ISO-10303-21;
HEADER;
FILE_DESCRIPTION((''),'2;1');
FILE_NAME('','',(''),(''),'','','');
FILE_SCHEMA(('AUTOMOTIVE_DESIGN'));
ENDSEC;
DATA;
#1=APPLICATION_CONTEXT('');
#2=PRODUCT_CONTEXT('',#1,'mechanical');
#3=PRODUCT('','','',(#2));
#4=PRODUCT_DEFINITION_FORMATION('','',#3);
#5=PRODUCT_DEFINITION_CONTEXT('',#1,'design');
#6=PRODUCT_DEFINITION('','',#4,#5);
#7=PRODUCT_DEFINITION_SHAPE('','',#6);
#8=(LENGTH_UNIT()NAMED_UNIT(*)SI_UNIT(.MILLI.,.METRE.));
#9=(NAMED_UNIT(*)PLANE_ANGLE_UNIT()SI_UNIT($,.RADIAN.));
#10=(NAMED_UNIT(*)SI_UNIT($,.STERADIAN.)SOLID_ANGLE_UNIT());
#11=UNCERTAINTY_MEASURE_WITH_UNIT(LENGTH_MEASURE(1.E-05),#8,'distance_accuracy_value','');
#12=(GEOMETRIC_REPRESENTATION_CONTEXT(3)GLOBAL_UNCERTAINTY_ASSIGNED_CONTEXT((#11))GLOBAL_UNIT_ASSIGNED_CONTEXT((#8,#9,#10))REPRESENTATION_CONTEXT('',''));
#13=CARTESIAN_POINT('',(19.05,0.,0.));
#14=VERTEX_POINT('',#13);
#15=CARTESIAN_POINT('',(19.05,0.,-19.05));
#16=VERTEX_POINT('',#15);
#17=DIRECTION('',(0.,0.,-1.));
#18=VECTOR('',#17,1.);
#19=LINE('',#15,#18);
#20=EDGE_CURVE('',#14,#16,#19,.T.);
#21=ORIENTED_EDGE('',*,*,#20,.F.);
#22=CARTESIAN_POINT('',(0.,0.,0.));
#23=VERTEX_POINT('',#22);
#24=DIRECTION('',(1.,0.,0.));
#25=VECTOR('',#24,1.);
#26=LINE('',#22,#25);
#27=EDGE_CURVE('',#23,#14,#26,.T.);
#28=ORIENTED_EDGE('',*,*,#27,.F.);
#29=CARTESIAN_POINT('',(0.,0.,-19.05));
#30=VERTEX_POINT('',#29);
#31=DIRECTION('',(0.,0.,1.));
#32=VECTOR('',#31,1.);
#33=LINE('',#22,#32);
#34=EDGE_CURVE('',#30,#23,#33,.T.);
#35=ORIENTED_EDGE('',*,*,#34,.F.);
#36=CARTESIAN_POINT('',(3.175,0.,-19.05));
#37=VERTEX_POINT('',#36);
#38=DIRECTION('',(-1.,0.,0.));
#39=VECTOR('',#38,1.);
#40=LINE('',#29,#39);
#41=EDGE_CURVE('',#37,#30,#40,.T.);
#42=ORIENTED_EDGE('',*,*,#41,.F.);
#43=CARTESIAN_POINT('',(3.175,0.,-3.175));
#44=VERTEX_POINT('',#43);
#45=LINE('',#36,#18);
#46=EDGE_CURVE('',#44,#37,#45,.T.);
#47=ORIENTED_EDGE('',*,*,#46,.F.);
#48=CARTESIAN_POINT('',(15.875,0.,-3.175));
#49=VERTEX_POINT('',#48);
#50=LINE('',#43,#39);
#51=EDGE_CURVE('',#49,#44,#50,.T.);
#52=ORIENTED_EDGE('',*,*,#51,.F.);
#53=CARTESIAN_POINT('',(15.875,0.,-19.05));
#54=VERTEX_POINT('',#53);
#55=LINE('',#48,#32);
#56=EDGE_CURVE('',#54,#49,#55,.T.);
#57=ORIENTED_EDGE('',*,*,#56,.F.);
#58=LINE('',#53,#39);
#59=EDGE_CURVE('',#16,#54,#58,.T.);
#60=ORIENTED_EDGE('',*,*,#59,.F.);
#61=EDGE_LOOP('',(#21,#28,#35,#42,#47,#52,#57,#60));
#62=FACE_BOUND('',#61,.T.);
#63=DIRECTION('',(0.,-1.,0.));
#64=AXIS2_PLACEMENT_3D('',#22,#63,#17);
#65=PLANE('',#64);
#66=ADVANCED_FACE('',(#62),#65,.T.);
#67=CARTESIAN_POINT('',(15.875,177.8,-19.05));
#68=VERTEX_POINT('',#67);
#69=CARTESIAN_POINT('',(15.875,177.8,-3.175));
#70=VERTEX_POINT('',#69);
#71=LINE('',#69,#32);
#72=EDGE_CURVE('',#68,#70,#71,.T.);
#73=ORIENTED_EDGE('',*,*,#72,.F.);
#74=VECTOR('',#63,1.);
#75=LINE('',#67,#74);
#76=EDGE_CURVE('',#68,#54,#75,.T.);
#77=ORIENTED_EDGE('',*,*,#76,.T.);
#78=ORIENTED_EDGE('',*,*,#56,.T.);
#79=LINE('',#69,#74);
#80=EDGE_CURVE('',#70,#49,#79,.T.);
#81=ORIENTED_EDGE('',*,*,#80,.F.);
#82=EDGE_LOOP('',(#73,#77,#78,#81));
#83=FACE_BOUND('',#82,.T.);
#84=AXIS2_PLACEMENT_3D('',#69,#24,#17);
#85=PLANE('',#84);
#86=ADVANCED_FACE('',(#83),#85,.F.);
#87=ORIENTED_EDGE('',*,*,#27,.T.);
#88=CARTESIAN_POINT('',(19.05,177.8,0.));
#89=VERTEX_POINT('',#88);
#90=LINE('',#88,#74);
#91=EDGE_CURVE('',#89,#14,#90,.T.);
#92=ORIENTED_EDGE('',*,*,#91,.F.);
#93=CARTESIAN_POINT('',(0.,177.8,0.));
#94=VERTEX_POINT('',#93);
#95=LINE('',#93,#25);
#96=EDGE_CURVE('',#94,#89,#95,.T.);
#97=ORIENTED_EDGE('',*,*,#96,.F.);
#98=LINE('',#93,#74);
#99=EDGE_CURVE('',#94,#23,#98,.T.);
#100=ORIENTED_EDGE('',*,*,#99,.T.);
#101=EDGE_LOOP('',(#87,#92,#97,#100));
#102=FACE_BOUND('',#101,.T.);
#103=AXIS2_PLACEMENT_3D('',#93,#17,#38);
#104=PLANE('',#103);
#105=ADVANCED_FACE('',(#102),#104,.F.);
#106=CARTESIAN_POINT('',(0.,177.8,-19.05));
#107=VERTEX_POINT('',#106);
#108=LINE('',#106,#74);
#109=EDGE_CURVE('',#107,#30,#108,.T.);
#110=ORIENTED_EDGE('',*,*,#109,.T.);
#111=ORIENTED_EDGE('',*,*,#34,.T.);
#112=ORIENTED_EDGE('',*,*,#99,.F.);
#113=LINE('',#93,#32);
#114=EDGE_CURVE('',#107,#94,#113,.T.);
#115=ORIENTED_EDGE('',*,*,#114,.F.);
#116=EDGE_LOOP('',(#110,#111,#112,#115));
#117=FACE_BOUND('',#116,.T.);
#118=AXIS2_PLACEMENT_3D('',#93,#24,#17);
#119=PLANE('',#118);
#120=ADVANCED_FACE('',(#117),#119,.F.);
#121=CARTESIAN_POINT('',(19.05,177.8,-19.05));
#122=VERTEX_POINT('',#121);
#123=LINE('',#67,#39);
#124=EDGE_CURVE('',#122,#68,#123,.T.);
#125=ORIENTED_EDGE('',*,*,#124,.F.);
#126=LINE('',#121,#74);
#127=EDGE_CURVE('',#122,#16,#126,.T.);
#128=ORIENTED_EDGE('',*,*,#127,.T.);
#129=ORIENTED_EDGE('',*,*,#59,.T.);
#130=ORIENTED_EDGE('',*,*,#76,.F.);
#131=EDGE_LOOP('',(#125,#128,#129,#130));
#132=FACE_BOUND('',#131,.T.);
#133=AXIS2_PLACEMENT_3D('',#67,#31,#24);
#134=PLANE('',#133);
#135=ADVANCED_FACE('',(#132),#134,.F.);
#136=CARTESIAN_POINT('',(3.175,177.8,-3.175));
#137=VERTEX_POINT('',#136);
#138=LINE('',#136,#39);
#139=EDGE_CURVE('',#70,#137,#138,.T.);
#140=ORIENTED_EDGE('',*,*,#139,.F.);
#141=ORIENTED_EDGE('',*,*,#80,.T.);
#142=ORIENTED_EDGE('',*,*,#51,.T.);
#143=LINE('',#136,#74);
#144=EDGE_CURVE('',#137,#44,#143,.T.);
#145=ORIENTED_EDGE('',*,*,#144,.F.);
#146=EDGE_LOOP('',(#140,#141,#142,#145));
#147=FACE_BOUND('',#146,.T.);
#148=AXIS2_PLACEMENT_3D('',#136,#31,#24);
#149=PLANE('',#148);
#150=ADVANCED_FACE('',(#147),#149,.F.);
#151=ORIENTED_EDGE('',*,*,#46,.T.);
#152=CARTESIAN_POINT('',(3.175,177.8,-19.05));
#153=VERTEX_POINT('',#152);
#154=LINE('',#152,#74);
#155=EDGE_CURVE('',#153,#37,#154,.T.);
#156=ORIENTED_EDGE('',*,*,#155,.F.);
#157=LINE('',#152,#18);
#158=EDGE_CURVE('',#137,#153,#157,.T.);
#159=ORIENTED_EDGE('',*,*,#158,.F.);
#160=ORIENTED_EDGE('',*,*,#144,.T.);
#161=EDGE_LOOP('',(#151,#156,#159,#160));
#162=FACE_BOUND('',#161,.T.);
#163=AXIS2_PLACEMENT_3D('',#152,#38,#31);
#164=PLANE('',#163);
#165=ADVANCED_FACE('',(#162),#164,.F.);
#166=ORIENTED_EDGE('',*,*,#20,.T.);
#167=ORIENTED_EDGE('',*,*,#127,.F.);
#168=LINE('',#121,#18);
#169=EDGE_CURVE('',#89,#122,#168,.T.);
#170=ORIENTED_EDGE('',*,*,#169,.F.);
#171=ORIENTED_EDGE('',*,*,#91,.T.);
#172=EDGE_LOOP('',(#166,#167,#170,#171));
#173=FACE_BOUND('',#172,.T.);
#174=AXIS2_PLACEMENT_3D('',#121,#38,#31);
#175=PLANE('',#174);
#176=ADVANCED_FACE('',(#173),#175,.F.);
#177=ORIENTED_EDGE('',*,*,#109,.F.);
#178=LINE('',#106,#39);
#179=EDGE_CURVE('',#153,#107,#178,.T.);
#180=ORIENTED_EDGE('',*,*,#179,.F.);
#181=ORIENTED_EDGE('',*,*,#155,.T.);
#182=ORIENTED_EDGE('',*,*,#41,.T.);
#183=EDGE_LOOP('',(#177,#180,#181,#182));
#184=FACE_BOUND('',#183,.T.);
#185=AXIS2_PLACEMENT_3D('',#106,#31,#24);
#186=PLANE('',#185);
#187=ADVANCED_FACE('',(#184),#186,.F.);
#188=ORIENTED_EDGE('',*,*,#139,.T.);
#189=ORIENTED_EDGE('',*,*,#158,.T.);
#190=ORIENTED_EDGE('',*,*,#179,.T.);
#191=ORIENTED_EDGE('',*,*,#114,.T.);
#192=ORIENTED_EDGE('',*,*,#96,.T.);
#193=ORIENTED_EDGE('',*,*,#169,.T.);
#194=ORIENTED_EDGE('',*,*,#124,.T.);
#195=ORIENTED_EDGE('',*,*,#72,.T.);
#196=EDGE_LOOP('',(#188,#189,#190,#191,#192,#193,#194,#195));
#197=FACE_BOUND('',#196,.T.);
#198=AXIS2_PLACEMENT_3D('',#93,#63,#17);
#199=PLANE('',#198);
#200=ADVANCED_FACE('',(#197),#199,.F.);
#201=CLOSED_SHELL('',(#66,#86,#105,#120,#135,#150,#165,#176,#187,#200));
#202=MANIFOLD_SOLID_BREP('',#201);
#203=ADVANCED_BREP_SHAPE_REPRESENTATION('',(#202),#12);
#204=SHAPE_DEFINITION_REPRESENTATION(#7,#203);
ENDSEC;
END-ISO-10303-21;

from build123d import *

# Parameters (mm, degrees)
BOSS_EXTRUDE1_DEPTH = 177.8


with BuildPart() as part:
    # Sketch1 → Boss-Extrude1 (new body)
    with BuildSketch(Plane(origin=(0, 0, 0), x_dir=(1, 0, 0), z_dir=(0, 1, 0))):
        Polygon((0, 0), (19.05, 0), (19.05, 19.05), (15.875, 19.05), (15.875, 3.175), (3.175, 3.175), (3.175, 19.05), (0, 19.05), align=None)
    extrude(amount=BOSS_EXTRUDE1_DEPTH)


solid = part.part
